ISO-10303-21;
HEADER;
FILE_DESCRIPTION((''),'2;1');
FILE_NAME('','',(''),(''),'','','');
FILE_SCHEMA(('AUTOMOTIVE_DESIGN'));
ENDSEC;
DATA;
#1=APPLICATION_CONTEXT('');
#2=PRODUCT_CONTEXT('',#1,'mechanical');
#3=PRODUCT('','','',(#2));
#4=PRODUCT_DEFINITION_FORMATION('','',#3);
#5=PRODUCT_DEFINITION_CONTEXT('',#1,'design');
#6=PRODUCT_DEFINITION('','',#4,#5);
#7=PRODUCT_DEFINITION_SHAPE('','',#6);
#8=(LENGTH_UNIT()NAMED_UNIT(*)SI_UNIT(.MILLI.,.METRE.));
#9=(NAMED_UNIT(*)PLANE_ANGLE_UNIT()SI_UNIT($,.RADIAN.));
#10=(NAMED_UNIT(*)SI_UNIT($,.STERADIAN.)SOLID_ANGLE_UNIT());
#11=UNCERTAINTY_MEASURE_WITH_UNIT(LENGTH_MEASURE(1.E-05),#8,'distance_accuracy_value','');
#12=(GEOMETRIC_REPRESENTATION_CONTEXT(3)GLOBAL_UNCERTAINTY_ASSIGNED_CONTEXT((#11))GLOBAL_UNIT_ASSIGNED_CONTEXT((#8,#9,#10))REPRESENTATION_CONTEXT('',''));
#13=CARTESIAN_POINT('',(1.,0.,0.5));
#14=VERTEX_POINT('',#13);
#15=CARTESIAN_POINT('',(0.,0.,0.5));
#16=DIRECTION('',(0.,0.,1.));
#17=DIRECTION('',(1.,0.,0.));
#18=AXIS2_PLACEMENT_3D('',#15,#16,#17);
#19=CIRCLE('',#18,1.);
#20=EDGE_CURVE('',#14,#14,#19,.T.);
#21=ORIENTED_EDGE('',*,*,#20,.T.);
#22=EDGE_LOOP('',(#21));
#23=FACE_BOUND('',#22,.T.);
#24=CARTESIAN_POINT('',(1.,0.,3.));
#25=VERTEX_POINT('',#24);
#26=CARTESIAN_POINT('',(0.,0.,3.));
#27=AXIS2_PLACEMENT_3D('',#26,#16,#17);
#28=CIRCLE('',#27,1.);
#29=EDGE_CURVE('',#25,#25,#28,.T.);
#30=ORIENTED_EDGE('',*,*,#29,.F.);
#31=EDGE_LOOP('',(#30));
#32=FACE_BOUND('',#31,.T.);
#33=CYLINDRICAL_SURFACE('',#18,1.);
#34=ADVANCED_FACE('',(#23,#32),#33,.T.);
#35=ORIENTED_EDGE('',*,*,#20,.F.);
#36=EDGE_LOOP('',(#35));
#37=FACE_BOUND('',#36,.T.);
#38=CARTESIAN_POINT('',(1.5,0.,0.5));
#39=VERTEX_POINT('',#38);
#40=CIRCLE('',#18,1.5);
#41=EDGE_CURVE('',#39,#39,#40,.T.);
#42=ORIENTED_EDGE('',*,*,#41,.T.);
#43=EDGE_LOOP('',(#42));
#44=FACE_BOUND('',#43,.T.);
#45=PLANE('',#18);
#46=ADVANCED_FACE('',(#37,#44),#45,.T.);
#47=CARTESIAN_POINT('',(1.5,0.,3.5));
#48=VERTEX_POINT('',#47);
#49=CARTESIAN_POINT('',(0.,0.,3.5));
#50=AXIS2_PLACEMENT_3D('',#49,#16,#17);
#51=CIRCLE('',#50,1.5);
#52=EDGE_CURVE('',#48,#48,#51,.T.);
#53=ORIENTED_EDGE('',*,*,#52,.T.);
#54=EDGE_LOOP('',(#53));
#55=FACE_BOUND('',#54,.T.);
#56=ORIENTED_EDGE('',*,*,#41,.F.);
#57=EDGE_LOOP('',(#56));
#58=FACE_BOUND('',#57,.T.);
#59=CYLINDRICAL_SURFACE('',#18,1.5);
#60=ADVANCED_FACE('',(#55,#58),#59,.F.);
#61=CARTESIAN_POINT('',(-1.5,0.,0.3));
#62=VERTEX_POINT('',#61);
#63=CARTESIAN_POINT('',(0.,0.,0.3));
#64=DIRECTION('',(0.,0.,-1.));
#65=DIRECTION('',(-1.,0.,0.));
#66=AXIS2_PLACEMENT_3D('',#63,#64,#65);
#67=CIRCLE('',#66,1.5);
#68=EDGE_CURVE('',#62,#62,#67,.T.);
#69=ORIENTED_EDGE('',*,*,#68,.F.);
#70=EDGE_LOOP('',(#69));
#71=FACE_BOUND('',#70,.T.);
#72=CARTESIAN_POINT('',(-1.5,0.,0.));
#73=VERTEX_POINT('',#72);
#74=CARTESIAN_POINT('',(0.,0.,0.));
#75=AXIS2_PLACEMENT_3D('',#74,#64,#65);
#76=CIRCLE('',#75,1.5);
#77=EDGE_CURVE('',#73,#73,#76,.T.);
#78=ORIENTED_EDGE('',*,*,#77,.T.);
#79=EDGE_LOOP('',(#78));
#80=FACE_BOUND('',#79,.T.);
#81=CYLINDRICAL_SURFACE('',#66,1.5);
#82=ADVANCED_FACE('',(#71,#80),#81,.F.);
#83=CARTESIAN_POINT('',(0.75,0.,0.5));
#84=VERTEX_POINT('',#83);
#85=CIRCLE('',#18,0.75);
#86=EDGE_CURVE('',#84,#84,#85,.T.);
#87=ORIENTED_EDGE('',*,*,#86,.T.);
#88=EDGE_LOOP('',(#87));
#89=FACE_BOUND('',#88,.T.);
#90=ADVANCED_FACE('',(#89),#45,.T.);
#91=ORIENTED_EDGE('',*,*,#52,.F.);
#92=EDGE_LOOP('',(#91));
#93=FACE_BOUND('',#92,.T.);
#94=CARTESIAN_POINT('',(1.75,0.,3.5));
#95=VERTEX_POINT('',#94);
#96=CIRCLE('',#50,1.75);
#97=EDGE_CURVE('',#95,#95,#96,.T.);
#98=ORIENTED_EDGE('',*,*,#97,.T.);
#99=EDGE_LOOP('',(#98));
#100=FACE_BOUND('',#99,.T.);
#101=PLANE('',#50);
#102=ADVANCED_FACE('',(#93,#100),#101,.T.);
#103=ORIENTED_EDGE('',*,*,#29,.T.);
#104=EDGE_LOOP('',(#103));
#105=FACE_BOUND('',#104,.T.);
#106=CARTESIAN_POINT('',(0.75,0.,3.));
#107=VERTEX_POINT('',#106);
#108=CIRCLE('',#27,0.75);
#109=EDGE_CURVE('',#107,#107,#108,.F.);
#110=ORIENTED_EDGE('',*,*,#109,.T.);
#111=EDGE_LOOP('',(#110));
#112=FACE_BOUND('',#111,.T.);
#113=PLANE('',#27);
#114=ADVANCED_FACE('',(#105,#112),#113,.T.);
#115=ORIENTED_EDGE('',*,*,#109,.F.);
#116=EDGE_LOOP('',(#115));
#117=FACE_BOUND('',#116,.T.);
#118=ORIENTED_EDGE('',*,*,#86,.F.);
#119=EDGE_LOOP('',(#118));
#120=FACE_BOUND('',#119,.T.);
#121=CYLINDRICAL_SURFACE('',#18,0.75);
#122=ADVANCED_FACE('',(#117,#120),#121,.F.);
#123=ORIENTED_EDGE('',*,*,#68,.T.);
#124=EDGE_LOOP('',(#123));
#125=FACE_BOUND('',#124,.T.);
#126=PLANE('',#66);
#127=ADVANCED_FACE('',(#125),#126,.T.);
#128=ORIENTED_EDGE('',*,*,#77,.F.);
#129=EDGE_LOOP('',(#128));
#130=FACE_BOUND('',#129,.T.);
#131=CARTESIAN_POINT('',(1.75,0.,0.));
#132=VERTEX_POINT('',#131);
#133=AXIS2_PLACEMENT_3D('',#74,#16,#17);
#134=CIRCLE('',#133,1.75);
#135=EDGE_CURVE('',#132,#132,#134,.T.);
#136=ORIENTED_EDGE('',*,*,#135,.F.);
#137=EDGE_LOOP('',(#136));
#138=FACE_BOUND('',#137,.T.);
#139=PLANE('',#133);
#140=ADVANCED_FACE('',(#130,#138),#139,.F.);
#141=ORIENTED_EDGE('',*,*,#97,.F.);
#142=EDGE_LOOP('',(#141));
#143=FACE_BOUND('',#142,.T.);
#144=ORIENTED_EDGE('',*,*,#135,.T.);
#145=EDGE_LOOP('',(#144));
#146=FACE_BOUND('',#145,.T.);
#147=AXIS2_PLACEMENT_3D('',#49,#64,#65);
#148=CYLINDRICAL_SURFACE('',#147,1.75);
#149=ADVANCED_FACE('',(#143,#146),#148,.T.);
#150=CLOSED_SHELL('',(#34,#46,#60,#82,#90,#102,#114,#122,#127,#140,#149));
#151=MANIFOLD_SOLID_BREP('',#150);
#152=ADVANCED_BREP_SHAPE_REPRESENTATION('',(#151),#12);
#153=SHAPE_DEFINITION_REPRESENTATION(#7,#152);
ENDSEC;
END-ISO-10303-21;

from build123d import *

# Parameters (mm, degrees)
SKETCH3_R           = 1.75
BOSS_EXTRUDE1_DEPTH = 3.5
SKETCH4_R           = 0.75
CUT_EXTRUDE1_DEPTH  = 3
SKETCH6_R           = 1.5
SKETCH6_R_2         = 1
CUT_EXTRUDE6_DEPTH  = 3
SKETCH10_R          = 1
CUT_EXTRUDE7_DEPTH  = 0.5
SKETCH12_R          = 1.5
CUT_EXTRUDE8_DEPTH  = 0.3


with BuildPart() as part:
    # Sketch3 → Boss-Extrude1 (new body)
    with BuildSketch(Plane.XY):
        Circle(SKETCH3_R)
    extrude(amount=BOSS_EXTRUDE1_DEPTH)

    # Sketch4 → Cut-Extrude1 (cut)
    with BuildSketch(Plane.XY.offset(3.5)):
        Circle(SKETCH4_R)
    extrude(amount=-CUT_EXTRUDE1_DEPTH, mode=Mode.SUBTRACT)

    # Sketch6 → Cut-Extrude6 (cut)
    with BuildSketch(Plane.XY.offset(3.5)):
        Circle(SKETCH6_R)
        Circle(SKETCH6_R_2, mode=Mode.SUBTRACT)
    extrude(amount=-CUT_EXTRUDE6_DEPTH, mode=Mode.SUBTRACT)

    # Sketch10 → Cut-Extrude7 (cut)
    with BuildSketch(Plane.XY.offset(3.5)):
        Circle(SKETCH10_R)
    extrude(amount=-CUT_EXTRUDE7_DEPTH, mode=Mode.SUBTRACT)

    # Sketch12 → Cut-Extrude8 (cut)
    with BuildSketch(Plane(origin=(0, 0, 0), x_dir=(-1, 0, 0), z_dir=(0, 0, -1))):
        Circle(SKETCH12_R)
    extrude(amount=-CUT_EXTRUDE8_DEPTH, mode=Mode.SUBTRACT)


solid = part.part
